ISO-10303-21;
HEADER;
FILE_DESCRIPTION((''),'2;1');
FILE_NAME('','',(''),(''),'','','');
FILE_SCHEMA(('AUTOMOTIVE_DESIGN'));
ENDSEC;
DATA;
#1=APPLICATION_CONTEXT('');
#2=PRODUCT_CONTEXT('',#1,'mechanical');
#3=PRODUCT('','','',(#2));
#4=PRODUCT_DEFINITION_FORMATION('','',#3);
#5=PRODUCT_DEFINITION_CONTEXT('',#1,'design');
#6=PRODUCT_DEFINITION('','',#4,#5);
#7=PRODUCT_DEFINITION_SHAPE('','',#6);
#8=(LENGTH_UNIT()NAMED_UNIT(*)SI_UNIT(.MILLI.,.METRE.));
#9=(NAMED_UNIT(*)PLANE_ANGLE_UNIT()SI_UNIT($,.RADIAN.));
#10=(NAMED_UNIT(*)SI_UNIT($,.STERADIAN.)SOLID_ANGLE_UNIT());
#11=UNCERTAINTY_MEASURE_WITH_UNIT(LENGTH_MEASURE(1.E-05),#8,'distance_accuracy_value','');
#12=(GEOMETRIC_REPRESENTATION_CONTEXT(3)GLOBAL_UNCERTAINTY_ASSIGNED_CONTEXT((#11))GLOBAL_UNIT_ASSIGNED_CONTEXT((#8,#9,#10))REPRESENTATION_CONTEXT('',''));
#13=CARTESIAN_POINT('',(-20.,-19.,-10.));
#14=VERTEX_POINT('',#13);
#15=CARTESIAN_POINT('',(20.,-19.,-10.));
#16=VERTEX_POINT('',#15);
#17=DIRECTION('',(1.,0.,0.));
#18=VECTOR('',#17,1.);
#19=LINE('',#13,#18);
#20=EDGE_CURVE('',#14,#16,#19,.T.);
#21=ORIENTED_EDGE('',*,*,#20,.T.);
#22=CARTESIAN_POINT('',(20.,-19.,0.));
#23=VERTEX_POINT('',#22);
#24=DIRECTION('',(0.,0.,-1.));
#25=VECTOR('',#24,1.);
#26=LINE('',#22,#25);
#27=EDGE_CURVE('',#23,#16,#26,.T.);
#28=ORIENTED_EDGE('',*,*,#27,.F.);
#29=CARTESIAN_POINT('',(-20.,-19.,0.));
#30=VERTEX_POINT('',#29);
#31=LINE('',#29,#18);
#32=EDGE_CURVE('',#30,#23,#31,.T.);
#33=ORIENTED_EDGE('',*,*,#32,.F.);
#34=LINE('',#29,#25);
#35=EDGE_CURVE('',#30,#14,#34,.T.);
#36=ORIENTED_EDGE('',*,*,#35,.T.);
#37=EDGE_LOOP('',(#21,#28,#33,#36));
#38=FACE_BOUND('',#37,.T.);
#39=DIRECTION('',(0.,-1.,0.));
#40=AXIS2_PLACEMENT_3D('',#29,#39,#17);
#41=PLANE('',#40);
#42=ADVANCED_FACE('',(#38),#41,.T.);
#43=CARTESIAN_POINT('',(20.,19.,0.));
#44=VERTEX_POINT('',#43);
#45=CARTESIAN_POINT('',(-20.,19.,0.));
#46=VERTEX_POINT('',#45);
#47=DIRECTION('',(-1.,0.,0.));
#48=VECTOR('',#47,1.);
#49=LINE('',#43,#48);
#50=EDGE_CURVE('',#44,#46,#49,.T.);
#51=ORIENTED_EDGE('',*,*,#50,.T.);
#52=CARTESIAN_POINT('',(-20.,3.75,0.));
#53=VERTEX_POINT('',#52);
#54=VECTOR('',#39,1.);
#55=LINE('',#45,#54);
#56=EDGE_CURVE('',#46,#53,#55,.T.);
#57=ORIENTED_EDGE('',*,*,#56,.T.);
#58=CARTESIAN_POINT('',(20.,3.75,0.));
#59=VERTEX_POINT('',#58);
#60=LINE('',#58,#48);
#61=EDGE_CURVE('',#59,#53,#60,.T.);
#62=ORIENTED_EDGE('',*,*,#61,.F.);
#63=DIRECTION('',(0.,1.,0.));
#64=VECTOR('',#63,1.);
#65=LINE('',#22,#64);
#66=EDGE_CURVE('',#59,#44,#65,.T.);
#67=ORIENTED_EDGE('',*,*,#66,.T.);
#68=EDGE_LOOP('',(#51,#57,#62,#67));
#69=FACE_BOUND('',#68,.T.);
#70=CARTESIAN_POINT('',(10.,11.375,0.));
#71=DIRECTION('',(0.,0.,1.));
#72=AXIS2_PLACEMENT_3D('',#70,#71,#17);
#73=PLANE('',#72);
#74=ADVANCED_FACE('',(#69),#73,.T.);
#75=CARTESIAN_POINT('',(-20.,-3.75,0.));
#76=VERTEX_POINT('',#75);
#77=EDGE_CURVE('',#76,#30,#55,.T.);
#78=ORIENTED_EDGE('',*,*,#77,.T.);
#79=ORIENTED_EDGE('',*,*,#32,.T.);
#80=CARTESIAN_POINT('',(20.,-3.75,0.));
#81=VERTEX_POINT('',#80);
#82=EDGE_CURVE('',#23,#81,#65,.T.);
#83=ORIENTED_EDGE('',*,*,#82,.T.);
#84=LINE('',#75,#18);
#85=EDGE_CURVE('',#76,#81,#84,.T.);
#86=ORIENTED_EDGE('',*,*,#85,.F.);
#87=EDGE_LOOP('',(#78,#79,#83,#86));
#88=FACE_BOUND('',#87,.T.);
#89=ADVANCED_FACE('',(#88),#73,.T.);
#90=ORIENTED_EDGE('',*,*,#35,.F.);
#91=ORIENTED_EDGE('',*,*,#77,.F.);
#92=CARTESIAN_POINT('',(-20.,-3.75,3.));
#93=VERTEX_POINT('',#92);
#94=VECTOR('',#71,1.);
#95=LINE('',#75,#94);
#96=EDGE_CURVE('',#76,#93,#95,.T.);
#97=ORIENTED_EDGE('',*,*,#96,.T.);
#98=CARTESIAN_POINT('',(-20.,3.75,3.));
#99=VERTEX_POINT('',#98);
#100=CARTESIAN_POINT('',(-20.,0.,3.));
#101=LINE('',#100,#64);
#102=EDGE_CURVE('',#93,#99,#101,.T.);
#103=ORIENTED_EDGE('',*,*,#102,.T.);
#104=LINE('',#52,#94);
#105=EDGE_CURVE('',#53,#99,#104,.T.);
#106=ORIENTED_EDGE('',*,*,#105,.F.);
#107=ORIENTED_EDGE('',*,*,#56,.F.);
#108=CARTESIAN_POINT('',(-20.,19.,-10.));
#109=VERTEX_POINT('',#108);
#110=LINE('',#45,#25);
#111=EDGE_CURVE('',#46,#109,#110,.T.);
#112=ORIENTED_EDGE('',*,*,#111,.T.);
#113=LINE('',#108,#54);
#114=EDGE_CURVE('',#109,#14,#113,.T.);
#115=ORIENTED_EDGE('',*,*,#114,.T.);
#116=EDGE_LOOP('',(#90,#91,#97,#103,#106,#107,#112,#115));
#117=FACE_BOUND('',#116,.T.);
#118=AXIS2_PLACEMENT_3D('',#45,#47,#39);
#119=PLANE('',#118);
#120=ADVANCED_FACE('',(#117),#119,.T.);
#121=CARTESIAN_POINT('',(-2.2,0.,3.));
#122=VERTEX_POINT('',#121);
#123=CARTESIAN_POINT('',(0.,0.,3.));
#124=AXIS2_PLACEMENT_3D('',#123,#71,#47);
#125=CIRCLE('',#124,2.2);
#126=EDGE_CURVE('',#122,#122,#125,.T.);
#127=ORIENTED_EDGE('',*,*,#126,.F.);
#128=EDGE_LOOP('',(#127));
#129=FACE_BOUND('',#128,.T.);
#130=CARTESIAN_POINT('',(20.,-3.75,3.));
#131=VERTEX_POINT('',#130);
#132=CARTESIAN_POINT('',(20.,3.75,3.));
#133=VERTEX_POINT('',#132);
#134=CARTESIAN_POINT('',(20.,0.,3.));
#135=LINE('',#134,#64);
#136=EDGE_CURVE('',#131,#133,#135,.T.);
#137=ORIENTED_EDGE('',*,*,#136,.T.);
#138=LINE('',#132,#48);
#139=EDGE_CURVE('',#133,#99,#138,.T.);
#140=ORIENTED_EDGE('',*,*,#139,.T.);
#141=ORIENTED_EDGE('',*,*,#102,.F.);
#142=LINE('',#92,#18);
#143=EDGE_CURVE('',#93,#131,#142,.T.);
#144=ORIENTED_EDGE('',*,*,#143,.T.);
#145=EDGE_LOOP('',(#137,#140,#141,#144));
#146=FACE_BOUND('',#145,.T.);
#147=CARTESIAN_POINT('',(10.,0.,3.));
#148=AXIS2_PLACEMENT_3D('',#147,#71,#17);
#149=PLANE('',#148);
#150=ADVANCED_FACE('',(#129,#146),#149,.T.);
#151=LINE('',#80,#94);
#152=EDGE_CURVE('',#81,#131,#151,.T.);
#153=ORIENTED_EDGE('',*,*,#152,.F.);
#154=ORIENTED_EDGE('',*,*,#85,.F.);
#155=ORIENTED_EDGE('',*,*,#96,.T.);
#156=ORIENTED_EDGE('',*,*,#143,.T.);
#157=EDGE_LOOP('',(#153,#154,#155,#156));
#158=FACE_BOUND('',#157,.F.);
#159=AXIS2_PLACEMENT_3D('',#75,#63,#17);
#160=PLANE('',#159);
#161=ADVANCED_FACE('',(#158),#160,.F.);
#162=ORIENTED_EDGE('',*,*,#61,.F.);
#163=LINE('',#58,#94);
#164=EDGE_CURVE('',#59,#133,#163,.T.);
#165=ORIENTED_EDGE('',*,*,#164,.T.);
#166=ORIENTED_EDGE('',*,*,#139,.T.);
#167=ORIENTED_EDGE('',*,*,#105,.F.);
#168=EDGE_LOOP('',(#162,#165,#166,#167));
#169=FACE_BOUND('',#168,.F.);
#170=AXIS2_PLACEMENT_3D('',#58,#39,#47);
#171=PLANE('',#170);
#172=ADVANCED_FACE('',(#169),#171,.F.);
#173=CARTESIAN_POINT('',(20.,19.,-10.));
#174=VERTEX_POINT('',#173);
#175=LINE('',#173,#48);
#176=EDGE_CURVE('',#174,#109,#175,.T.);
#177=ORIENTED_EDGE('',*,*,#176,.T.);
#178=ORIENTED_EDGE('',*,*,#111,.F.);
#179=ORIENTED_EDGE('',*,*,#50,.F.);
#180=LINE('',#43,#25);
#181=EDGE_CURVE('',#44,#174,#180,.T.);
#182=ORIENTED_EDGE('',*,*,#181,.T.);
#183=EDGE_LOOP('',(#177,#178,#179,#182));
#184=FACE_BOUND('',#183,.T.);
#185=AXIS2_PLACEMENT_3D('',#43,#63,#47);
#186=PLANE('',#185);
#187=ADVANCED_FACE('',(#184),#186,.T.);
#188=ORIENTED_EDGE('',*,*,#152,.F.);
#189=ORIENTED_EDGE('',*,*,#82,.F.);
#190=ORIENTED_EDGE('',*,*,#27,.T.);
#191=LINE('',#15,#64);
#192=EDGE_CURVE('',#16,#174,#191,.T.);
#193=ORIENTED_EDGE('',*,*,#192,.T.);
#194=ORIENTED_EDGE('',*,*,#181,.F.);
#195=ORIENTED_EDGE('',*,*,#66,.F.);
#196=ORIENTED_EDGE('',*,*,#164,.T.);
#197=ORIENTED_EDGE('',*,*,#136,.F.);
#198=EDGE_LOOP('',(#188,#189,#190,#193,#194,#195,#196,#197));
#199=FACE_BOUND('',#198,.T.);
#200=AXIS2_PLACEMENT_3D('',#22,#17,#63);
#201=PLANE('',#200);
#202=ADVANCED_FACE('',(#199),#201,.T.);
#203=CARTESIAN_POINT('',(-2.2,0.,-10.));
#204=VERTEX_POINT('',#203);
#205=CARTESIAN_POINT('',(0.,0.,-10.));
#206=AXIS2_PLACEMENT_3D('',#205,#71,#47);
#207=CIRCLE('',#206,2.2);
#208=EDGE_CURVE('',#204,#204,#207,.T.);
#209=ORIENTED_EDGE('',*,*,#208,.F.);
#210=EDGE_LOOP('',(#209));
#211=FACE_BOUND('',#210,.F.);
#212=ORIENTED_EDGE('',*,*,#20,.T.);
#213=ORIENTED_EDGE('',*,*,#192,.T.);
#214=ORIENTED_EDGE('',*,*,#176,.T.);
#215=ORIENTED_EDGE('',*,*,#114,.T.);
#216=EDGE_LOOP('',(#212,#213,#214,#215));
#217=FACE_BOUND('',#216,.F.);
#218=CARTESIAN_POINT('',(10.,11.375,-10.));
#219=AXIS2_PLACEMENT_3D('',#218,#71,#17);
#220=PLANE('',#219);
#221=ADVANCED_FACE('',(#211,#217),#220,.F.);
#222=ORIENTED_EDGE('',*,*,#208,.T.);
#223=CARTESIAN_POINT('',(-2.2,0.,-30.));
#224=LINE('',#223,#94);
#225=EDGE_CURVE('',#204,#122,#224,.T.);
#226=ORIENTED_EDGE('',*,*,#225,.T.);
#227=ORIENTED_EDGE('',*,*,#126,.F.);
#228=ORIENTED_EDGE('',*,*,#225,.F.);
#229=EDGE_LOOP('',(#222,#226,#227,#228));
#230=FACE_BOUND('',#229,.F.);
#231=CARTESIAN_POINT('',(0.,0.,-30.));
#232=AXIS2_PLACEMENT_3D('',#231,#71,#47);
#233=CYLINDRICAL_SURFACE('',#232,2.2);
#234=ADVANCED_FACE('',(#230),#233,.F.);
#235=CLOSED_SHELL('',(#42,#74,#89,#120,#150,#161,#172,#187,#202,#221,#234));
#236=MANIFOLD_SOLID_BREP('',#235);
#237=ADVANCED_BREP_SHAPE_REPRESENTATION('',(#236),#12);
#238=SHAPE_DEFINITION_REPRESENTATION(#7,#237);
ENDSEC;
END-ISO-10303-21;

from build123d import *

# Parameters (mm, degrees)
F0_W     = 20
F0_H     = 15.25
F0_H_2   = 7.5
F1_DEPTH = 10
F2_DEPTH = 3
F4_D     = 4.4
F4_DEPTH = 20
F4_TIP   = 1.3218933619


with BuildPart() as f1:
    # F0 (on Top) → F1 (new body)
    with BuildSketch(Plane.XY):
        with Locations((10, 11.375)):
            Rectangle(F0_W, F0_H)
        with Locations((-10, 11.375)):
            Rectangle(F0_W, F0_H)
        with Locations((10, -11.375)):
            Rectangle(F0_W, F0_H)
        with Locations((-10, -11.375)):
            Rectangle(F0_W, F0_H)
        with Locations((10, 0)):
            Rectangle(F0_W, F0_H_2)
        with Locations((-10, 0)):
            Rectangle(F0_W, F0_H_2)
    extrude(amount=-F1_DEPTH)

    # F0 (on Top) → F2 (join)
    with BuildSketch(Plane.XY):
        with Locations((10, 0)):
            Rectangle(F0_W, F0_H_2)
        with Locations((-10, 0)):
            Rectangle(F0_W, F0_H_2)
    extrude(amount=F2_DEPTH)

    # F4
    with Locations(Plane(origin=(0, 0, -10), x_dir=(1, 0, 0), z_dir=(0, 0, -1))):
        with Locations((0, 0)):
            Hole(F4_D / 2, depth=F4_DEPTH)
            with Locations((0, 0, -(F4_DEPTH + F4_TIP / 2))):  # 118° drill point
                Cone(0, F4_D / 2, F4_TIP, mode=Mode.SUBTRACT)


solid = f1.part
